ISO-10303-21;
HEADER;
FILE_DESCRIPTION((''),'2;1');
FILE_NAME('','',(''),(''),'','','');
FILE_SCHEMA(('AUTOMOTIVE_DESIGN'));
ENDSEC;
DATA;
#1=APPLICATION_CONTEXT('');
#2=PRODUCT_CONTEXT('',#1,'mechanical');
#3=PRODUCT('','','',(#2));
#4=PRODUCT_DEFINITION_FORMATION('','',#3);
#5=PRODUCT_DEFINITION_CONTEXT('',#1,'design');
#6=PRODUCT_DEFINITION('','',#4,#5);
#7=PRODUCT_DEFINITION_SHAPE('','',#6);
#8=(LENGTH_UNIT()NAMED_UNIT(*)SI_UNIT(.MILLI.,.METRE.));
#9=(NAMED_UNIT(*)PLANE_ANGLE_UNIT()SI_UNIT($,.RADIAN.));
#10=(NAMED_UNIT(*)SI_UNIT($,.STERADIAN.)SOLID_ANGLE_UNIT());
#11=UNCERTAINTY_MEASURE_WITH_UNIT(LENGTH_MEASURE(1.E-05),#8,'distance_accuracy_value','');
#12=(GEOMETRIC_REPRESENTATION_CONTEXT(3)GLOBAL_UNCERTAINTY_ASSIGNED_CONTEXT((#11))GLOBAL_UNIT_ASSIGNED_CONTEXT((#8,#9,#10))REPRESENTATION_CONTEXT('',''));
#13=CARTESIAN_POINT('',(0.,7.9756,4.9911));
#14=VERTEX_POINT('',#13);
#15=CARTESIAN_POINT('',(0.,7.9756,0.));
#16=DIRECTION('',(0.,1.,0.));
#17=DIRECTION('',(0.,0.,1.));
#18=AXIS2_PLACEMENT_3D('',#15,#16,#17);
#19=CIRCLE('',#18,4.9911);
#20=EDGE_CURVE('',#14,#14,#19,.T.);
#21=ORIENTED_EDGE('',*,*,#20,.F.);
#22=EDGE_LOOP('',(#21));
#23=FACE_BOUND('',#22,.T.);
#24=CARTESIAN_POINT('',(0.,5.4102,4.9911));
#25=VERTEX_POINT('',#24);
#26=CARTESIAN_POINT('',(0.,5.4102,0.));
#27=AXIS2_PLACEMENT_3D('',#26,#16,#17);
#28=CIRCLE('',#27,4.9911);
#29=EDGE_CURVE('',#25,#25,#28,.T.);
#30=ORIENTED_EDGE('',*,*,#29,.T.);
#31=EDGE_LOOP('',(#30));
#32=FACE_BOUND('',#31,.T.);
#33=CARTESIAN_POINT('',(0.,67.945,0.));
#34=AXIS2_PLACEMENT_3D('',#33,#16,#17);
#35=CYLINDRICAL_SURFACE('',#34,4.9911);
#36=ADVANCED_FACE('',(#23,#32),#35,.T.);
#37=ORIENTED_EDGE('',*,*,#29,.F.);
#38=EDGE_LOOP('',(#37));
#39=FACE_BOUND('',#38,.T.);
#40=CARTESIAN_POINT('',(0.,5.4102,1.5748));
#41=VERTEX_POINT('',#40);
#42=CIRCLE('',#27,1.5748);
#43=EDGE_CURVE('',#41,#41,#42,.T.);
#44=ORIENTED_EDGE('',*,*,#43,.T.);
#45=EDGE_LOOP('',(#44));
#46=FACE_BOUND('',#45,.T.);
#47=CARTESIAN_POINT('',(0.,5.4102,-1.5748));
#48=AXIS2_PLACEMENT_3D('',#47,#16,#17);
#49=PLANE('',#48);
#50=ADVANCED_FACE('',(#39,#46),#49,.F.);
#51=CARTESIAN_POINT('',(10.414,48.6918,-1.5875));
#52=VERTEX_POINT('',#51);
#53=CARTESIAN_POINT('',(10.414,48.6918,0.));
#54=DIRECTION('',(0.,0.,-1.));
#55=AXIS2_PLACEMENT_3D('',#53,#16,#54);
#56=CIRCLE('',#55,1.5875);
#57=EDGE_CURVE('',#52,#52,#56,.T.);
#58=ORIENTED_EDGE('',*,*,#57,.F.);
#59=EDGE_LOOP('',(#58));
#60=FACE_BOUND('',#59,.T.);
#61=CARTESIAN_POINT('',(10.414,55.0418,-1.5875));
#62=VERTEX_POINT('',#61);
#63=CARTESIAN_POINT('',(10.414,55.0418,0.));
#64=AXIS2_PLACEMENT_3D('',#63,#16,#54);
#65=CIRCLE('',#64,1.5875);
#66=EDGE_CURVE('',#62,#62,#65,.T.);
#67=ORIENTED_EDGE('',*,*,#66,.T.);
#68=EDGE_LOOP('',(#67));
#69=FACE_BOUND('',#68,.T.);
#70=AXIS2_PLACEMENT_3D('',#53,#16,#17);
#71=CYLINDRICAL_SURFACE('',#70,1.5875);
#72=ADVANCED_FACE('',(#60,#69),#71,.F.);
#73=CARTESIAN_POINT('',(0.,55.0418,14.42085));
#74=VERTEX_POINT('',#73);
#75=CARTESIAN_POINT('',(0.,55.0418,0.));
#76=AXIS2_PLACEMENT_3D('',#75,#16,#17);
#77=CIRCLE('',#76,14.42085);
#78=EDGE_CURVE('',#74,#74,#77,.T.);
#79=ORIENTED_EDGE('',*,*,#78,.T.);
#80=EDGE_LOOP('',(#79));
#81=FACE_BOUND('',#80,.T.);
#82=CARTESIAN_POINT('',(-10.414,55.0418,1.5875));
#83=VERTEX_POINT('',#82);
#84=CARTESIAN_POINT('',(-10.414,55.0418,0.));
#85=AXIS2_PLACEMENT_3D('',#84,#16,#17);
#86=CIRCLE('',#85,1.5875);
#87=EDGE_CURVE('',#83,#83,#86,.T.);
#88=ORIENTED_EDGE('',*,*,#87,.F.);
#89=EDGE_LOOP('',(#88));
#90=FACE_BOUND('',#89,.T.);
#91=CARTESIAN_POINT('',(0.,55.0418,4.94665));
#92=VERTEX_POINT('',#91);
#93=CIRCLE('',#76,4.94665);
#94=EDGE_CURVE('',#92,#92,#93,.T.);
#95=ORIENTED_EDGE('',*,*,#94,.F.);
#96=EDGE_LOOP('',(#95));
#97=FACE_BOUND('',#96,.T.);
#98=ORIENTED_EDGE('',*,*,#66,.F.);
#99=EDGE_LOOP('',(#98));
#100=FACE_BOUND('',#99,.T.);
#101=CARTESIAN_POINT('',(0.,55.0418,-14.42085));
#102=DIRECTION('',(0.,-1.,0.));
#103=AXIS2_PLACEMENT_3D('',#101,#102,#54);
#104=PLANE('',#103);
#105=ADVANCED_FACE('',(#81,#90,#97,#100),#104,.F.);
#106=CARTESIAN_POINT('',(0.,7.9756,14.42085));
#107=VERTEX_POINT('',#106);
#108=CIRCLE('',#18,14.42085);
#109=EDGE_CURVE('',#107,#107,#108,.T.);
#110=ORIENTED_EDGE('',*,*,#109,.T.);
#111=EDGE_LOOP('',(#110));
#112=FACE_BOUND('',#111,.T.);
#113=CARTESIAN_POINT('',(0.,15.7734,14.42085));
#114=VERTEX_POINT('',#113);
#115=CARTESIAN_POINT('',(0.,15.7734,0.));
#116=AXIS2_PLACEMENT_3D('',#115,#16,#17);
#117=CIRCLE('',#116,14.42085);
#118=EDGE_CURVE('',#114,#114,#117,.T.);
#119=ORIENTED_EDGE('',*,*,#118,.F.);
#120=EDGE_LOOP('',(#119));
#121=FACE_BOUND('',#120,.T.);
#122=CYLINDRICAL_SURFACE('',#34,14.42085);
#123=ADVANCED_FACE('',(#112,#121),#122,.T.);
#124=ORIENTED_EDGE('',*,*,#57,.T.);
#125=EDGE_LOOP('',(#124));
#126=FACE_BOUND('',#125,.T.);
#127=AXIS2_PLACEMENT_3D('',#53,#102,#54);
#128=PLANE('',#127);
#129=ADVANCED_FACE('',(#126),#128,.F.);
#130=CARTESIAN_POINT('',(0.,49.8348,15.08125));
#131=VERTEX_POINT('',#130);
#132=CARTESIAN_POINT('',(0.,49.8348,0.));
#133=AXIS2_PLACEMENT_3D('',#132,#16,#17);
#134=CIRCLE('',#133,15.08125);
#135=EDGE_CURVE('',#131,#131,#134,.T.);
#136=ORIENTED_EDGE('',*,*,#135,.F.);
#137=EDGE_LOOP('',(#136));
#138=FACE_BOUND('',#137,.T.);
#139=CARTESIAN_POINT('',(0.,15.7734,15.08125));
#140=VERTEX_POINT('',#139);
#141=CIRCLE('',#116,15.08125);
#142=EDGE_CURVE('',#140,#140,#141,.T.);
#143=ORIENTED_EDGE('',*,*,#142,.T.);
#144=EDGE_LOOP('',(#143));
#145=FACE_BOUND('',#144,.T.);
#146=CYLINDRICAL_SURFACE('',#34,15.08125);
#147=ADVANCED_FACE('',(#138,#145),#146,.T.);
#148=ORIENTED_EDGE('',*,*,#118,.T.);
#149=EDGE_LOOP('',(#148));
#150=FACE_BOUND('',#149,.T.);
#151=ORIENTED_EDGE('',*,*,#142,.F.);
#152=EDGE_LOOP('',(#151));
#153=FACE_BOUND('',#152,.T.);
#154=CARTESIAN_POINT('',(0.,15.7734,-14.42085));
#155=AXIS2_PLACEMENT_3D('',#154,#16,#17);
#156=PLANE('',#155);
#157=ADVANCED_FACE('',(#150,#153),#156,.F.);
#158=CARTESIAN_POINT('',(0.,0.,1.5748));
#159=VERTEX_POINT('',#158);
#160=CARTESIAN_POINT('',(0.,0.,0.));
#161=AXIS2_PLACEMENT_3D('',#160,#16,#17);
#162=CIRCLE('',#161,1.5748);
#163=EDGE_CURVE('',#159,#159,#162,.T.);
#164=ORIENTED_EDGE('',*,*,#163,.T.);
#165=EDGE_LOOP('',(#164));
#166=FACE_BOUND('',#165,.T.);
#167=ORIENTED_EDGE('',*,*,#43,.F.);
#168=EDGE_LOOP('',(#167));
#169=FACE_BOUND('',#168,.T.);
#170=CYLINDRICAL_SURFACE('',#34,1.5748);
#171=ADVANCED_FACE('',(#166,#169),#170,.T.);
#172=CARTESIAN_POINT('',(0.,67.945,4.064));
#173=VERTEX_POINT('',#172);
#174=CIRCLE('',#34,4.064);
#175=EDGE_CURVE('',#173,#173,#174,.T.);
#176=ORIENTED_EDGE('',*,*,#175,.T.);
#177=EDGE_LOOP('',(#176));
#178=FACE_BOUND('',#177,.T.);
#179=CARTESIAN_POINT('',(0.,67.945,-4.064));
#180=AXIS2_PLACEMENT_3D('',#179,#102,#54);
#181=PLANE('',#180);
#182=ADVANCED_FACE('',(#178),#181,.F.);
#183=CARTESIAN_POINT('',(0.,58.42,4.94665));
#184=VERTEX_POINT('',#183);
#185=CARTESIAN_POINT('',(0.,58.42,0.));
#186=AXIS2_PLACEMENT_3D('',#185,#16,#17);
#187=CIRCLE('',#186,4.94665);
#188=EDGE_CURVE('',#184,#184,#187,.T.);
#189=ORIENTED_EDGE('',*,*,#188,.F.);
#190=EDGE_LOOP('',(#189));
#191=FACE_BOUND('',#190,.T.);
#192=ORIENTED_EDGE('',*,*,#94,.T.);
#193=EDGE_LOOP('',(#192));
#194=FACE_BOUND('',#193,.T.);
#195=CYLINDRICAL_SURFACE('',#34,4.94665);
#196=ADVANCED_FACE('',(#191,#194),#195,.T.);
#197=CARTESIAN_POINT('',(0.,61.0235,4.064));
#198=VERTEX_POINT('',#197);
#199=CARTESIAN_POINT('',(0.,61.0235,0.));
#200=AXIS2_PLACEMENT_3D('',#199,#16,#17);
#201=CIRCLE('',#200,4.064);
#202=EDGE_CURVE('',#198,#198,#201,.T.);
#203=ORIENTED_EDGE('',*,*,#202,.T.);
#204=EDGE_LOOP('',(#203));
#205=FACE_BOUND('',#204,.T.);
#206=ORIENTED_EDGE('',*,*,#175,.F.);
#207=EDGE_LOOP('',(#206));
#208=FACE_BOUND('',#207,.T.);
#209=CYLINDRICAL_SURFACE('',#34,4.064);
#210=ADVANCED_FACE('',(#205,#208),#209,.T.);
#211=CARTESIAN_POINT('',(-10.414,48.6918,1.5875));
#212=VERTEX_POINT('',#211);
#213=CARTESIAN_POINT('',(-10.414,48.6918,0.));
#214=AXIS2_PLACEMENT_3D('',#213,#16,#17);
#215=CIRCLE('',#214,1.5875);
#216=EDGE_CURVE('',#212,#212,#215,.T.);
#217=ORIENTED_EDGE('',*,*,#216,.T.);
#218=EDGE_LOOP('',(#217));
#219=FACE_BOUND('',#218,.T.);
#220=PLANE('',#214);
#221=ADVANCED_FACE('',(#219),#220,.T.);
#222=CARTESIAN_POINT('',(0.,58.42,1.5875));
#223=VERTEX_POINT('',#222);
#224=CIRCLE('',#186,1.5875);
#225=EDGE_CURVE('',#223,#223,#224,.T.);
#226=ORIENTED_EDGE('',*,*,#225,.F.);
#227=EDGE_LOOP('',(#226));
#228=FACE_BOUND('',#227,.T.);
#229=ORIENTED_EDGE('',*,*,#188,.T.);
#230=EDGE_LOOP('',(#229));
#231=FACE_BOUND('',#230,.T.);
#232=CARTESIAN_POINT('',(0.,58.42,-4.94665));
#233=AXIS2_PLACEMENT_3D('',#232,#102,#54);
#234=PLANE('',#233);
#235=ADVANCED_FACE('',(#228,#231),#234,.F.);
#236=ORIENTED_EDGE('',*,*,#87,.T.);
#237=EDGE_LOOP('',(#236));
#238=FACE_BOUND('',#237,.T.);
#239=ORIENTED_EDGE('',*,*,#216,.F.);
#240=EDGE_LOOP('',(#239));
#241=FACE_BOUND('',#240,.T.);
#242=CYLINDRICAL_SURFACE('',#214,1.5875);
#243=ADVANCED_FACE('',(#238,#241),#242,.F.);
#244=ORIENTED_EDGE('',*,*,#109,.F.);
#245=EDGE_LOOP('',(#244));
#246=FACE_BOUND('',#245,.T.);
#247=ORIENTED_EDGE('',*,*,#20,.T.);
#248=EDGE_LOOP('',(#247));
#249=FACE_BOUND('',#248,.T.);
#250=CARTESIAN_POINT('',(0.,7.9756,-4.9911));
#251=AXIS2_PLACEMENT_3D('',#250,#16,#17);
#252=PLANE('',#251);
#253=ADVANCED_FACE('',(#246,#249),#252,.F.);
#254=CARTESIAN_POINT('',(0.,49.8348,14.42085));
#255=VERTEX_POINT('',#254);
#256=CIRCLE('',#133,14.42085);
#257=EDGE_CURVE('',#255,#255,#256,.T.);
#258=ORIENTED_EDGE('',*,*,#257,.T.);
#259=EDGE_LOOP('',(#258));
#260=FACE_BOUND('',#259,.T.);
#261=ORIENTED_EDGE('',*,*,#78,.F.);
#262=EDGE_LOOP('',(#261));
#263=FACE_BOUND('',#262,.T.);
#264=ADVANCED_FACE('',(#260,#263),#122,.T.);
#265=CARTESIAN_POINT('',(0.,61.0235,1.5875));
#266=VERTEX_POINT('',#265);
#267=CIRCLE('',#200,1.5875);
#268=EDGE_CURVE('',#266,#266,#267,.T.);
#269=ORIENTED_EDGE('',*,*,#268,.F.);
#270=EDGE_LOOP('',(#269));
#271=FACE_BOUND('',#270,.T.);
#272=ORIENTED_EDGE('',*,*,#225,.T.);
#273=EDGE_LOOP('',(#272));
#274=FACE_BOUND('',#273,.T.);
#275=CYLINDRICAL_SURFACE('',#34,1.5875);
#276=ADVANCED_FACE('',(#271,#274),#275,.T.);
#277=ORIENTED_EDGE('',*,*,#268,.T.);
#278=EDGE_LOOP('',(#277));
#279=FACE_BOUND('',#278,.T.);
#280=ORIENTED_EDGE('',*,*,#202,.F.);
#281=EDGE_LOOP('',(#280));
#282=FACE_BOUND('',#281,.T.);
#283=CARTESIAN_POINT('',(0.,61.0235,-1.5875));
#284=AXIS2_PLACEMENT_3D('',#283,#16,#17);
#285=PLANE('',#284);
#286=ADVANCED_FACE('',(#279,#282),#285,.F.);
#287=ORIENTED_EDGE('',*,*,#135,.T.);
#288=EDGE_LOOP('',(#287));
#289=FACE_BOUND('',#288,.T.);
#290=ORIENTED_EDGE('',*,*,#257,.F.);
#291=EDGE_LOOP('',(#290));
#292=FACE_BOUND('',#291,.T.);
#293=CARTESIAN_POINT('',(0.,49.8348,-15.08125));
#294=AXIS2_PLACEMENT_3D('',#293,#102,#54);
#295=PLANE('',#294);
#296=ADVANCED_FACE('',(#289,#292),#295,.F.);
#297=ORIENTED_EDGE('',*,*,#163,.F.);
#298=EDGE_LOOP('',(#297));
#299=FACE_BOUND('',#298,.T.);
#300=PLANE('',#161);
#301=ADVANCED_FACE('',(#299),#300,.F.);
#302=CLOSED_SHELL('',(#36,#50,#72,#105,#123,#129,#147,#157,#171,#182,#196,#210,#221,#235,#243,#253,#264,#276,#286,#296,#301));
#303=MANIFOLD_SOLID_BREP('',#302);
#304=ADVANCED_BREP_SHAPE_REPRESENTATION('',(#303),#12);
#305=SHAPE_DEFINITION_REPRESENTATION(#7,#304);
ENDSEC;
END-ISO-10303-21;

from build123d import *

# Parameters (mm, degrees)
SKETCH2_R          = 1.5875
CUT_EXTRUDE1_DEPTH = 6.35


with BuildPart() as part:
    # Sketch1 → Revolve1 (revolve)
    with BuildSketch(Plane(origin=(0, 0, 0), x_dir=(0, 0, -1), z_dir=(1, 0, 0)), mode=Mode.PRIVATE) as revolve1_sk:
        Polygon((0, 0), (0, 36.261189321), (0, 67.945), (4.064, 67.945), (4.064, 61.0235), (1.5875, 61.0235), (1.5875, 58.42), (4.94665, 58.42), (4.94665, 55.0418), (14.42085, 55.0418), (14.42085, 49.8348), (15.08125, 49.8348), (15.08125, 15.7734), (14.42085, 15.7734), (14.42085, 7.9756), (4.9911, 7.9756), (4.9911, 5.4102), (1.5748, 5.4102), (1.5748, 0), align=None)
    revolve(revolve1_sk.sketch.rotate(Axis((0, 67.945, 0), (0, -1, 0)), 180), axis=Axis((0, 67.945, 0), (0, -1, 0)))

    # Sketch2 → Cut-Extrude1 (cut)
    with BuildSketch(Plane(origin=(0, 55.0418, 0), x_dir=(1, 0, 0), z_dir=(0, 1, 0))):
        with Locations(Location((-10.414, 0, 0), (0, 0, 270))):
            Circle(SKETCH2_R)
        with Locations(Location((10.414, 0, 0), (0, 0, 90))):
            Circle(SKETCH2_R)
    extrude(amount=-CUT_EXTRUDE1_DEPTH, mode=Mode.SUBTRACT)


solid = part.part
